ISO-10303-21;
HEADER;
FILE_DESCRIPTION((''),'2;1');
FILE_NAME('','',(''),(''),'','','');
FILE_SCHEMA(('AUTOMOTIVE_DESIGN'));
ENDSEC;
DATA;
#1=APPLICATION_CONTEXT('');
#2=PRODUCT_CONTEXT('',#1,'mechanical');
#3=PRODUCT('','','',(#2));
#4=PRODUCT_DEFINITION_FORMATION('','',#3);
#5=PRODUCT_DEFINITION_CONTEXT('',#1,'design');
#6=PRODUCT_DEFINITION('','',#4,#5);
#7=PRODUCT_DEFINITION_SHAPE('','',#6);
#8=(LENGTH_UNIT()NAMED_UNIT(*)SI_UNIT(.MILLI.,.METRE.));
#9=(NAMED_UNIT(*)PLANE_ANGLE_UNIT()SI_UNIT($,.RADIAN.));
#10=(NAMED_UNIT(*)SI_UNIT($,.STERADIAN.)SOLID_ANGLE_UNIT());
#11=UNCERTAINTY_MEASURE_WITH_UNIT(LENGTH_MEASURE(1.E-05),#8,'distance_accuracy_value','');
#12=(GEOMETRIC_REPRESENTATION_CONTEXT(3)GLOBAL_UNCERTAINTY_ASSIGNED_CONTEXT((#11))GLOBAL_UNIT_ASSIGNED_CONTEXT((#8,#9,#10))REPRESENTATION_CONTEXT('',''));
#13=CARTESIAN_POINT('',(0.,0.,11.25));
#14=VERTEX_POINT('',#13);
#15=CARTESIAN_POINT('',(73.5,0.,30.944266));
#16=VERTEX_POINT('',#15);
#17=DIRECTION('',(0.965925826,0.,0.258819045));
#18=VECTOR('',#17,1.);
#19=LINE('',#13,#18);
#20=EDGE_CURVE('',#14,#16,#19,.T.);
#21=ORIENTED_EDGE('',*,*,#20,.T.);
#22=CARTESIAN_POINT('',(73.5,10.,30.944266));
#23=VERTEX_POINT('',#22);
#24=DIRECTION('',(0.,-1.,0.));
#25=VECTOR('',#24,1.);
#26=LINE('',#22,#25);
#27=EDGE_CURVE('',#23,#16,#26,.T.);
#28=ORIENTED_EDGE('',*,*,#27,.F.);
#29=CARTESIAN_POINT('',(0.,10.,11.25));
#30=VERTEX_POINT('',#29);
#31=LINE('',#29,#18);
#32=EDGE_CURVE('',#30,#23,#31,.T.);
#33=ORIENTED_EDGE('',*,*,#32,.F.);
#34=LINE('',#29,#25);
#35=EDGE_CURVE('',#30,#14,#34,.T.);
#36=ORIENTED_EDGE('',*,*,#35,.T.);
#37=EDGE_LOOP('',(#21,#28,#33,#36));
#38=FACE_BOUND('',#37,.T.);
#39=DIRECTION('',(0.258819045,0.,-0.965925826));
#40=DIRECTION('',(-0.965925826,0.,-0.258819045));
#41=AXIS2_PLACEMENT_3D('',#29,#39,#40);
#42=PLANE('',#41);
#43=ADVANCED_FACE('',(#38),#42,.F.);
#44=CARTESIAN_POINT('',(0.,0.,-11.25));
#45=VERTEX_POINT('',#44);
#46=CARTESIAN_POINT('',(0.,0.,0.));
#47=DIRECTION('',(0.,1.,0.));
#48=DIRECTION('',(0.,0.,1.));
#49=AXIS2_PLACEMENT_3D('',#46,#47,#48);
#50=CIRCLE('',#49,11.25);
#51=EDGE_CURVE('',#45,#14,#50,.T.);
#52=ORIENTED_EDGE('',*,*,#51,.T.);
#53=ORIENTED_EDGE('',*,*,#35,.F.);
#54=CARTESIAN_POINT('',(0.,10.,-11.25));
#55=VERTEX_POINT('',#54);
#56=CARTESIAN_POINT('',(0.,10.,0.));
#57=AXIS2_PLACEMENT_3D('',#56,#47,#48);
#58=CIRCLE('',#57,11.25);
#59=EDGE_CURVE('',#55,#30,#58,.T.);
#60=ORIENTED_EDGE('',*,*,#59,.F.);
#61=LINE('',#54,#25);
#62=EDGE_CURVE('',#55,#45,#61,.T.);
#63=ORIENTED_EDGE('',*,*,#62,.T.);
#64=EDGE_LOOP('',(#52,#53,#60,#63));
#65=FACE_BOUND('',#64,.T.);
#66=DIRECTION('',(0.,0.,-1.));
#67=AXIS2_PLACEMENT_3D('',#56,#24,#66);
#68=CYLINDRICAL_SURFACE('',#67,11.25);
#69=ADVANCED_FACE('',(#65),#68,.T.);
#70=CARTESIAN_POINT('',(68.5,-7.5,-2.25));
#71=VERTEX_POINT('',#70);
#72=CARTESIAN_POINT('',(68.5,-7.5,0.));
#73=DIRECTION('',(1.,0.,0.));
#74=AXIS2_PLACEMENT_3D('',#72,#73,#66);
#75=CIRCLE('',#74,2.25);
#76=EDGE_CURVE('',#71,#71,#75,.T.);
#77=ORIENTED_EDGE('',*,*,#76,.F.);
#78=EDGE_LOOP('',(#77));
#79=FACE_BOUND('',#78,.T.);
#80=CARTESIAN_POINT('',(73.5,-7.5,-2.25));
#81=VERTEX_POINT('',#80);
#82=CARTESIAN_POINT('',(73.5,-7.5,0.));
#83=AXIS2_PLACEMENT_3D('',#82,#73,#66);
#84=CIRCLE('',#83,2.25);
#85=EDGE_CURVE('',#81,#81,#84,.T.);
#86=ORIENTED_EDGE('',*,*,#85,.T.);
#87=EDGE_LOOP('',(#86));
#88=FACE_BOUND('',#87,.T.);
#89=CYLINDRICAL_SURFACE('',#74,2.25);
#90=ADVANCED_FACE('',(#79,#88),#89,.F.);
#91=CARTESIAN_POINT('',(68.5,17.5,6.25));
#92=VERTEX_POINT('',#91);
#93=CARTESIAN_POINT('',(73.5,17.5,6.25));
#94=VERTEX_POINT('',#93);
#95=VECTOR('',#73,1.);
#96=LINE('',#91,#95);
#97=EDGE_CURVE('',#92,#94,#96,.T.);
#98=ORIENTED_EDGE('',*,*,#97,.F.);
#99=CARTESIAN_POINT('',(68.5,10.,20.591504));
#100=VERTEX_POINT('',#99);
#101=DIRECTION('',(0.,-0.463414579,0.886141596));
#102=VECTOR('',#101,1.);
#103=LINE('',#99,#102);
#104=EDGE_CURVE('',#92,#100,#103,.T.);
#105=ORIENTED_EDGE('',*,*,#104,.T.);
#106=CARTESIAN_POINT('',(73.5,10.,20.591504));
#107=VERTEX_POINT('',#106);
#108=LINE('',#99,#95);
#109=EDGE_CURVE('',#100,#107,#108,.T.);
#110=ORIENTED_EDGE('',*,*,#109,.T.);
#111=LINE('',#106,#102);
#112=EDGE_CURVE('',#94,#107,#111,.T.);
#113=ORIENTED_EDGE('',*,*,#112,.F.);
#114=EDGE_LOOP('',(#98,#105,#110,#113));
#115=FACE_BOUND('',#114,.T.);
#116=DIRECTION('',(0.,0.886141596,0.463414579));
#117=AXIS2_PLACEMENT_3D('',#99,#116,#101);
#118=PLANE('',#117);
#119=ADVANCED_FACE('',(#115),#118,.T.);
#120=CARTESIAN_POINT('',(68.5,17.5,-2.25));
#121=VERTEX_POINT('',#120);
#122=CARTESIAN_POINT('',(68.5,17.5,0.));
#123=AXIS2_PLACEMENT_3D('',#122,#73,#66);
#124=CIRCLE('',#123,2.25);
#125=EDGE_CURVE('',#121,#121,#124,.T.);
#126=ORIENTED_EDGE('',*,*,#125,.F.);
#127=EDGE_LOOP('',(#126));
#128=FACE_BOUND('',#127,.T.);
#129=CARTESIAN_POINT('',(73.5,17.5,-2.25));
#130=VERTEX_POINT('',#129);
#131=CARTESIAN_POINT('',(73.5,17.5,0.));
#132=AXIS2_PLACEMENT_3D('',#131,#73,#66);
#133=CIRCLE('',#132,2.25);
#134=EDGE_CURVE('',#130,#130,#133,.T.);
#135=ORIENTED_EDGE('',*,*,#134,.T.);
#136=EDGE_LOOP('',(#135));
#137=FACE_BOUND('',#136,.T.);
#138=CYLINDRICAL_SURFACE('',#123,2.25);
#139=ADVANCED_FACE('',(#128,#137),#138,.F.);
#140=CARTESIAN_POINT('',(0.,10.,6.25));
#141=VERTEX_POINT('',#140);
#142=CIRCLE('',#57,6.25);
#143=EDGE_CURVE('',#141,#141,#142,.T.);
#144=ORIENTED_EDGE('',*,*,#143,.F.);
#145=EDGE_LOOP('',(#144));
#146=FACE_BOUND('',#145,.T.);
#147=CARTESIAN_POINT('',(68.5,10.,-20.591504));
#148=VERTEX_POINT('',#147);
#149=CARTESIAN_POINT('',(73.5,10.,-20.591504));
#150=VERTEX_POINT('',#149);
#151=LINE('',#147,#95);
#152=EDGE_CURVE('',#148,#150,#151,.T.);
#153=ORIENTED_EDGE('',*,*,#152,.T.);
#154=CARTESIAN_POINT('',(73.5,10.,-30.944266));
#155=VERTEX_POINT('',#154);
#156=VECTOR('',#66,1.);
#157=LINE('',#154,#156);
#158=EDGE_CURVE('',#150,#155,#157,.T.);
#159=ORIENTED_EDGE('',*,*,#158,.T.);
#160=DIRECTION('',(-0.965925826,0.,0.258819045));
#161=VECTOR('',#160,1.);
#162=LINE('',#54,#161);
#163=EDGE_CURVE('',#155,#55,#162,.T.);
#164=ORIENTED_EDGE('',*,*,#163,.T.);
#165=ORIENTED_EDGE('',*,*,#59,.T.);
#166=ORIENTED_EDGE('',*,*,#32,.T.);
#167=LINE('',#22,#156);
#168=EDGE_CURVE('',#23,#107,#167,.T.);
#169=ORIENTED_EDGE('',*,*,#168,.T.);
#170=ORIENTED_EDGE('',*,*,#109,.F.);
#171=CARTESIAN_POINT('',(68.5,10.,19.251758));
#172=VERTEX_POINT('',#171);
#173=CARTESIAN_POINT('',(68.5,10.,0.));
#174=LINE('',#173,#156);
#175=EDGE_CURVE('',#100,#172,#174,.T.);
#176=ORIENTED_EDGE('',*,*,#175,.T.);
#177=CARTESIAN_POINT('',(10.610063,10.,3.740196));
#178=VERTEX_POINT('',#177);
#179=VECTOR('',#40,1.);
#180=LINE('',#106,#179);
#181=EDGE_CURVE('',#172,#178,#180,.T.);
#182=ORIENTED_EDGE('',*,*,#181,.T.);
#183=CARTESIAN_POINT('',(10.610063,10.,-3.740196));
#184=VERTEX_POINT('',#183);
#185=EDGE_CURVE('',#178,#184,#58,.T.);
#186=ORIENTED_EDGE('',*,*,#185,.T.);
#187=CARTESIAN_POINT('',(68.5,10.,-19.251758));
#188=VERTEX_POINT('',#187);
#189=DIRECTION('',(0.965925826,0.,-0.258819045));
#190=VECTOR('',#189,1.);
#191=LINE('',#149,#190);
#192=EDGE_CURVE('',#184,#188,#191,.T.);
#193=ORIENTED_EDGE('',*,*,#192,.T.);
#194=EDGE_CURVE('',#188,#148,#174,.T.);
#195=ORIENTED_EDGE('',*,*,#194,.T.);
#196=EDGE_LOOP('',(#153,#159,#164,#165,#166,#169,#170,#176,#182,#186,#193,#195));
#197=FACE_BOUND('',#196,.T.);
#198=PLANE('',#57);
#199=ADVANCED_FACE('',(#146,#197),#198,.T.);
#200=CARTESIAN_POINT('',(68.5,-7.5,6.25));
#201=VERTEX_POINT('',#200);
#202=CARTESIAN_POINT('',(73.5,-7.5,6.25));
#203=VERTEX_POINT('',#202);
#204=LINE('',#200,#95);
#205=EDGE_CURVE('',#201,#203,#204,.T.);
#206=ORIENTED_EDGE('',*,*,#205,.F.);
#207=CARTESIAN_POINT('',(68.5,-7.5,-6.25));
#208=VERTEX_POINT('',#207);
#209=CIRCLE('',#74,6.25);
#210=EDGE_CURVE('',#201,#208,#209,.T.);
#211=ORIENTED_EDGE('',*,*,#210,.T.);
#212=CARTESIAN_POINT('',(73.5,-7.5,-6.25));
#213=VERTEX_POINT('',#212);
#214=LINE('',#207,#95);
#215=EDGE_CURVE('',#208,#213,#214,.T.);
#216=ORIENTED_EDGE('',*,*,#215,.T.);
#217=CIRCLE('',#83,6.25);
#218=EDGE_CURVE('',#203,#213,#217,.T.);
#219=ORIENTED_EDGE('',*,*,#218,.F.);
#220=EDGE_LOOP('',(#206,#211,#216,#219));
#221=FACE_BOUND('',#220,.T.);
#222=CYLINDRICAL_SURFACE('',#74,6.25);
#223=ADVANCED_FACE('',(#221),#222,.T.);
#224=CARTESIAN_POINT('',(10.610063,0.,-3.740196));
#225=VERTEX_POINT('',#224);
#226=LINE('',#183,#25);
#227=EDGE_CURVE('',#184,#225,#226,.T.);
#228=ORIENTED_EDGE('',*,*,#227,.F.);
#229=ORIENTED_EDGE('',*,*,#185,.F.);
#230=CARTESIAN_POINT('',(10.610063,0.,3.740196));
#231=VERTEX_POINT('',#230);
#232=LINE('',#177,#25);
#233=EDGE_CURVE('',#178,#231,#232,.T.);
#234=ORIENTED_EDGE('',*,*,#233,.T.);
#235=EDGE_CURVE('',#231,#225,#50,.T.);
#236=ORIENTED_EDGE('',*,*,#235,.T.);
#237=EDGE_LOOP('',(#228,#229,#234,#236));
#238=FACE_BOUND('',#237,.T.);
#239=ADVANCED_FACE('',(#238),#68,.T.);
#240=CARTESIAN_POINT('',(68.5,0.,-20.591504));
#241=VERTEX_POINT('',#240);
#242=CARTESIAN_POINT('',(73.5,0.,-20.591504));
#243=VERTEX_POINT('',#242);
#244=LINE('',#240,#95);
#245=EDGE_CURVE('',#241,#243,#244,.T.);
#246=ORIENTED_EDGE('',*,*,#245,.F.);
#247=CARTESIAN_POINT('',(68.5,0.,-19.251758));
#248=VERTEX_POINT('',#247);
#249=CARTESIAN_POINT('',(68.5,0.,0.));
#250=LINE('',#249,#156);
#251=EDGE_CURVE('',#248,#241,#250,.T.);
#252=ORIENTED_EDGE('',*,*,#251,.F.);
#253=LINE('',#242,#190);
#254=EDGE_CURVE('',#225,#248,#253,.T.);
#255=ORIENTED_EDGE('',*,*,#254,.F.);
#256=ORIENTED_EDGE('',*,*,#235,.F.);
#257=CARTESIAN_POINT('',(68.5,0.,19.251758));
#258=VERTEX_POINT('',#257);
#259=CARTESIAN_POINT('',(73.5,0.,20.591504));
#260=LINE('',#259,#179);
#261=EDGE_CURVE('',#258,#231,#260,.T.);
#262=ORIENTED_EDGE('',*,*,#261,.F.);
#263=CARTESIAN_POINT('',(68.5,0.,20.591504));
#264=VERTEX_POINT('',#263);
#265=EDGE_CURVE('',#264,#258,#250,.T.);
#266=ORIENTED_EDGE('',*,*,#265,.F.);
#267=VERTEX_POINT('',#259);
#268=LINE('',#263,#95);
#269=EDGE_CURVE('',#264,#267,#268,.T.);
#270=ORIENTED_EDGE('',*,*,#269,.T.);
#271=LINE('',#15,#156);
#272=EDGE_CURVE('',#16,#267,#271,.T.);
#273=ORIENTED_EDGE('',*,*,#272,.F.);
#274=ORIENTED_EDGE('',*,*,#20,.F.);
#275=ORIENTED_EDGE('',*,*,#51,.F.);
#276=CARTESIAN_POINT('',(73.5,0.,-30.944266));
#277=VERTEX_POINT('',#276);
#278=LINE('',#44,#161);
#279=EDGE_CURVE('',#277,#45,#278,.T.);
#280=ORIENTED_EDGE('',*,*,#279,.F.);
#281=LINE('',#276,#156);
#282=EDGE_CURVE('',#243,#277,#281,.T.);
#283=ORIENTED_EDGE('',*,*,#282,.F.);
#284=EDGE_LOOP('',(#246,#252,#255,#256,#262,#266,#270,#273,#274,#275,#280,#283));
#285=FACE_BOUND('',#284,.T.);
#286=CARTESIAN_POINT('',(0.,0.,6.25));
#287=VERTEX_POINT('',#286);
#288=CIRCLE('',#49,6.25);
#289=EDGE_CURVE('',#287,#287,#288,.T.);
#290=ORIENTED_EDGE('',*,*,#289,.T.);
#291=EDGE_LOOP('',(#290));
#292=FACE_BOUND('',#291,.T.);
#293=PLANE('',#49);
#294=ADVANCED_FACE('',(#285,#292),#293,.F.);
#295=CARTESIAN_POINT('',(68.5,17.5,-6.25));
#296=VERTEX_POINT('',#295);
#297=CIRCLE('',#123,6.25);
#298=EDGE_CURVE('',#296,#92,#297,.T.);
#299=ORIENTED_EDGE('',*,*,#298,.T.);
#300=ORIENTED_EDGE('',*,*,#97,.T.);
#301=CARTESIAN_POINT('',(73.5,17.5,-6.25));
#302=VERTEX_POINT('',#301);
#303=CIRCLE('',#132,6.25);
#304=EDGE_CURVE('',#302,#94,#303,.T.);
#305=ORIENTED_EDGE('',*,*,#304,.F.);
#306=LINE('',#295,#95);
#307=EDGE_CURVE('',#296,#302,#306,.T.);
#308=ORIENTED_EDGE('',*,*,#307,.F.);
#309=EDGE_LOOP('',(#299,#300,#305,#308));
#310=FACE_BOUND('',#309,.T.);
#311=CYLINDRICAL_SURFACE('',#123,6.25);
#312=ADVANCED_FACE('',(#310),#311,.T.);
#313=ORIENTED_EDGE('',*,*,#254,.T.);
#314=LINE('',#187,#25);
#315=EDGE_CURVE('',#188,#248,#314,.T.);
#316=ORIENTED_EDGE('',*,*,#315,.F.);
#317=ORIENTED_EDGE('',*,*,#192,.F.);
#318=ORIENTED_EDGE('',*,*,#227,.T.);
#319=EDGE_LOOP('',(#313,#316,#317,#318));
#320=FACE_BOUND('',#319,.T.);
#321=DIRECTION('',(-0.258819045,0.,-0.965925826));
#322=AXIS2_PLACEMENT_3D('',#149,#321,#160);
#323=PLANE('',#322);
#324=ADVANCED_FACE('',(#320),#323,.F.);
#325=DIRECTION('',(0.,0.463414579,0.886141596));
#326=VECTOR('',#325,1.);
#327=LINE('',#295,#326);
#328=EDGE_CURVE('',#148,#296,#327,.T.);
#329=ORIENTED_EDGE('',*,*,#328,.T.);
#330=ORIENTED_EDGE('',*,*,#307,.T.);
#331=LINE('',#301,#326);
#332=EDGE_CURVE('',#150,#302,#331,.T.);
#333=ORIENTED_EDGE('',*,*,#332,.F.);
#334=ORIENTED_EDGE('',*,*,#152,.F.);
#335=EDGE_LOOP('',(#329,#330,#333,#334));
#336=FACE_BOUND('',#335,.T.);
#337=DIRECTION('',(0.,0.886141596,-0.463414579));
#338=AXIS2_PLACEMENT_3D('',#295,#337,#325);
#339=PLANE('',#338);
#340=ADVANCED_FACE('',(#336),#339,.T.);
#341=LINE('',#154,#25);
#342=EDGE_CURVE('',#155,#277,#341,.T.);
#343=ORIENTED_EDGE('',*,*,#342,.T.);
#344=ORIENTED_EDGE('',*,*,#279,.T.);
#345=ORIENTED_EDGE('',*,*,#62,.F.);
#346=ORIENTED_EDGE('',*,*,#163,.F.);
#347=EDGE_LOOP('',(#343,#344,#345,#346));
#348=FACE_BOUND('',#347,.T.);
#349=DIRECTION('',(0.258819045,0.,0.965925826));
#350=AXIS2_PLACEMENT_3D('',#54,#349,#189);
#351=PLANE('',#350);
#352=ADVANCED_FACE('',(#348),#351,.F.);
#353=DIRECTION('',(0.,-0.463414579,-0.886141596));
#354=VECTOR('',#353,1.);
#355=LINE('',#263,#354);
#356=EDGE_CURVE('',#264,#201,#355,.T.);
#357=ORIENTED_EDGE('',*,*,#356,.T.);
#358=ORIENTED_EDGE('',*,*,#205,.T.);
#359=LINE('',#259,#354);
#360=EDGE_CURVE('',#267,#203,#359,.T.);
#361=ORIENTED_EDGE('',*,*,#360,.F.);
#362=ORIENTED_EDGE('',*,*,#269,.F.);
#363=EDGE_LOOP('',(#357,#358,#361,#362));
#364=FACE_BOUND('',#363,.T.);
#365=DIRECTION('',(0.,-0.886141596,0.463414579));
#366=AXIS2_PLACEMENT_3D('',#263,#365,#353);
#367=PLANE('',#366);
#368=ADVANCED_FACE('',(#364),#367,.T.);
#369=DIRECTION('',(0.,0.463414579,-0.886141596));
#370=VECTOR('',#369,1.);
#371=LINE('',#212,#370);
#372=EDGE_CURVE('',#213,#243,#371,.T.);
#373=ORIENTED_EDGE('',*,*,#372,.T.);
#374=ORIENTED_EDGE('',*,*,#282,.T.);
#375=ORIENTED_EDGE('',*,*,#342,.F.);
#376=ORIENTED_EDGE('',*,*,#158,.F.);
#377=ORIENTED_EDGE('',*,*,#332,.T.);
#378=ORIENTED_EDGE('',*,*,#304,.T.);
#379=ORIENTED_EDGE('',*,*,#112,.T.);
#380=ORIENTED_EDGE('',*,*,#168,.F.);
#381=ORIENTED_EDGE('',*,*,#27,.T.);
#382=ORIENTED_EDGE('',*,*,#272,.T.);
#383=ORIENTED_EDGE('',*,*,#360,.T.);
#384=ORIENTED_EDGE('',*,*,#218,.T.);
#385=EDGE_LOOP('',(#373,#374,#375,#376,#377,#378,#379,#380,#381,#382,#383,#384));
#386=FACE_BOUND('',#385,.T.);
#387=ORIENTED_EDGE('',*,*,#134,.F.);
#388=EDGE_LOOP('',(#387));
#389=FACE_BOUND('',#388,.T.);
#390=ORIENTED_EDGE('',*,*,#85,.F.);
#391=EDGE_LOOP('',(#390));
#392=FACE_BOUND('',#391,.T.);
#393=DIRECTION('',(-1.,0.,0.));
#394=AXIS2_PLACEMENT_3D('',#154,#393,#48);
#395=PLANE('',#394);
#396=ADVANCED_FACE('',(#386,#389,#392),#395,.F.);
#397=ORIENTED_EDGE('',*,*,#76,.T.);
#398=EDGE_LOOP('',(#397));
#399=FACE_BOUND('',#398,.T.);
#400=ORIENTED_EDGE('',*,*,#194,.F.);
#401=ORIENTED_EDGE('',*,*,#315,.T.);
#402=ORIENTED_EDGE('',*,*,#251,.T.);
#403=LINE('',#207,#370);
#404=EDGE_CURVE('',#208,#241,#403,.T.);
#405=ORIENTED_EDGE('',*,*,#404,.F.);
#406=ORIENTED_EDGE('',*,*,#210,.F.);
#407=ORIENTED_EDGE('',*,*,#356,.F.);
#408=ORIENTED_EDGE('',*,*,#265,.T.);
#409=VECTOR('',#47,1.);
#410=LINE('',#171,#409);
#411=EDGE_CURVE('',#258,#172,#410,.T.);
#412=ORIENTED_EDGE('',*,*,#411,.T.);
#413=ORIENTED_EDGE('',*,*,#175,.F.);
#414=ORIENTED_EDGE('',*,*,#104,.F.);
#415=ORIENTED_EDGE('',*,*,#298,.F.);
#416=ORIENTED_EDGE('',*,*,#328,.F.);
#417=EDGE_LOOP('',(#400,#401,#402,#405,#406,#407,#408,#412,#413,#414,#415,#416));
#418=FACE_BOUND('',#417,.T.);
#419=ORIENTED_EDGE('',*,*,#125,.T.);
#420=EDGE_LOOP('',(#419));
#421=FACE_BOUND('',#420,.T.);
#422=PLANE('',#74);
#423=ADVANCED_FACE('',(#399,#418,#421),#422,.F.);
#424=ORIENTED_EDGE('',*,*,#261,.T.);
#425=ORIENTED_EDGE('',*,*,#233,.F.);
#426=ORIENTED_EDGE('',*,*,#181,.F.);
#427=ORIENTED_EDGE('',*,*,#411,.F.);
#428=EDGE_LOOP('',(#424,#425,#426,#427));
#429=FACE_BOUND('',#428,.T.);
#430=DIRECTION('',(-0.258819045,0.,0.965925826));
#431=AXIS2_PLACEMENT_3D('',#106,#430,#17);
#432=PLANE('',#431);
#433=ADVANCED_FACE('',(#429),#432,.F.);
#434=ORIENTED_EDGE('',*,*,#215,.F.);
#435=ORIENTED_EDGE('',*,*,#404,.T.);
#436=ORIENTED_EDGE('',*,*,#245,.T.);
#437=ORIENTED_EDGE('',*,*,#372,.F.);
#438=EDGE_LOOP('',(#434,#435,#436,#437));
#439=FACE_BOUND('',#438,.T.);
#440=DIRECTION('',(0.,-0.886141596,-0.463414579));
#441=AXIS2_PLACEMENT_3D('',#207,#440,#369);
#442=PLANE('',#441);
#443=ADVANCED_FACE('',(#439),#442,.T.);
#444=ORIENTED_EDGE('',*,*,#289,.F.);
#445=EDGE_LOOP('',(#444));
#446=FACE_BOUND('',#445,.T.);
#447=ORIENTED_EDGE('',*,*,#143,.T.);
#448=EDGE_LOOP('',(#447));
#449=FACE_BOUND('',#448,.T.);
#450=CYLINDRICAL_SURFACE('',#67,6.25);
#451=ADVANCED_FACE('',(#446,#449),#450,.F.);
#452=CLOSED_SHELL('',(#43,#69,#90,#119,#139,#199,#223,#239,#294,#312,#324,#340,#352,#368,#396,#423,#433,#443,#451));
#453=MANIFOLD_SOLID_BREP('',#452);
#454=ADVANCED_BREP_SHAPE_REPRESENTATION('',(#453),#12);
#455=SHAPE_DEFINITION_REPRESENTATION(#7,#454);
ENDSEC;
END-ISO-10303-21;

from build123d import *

# Parameters (mm, degrees)
SKETCH1_R           = 6.25
BOSS_EXTRUDE1_DEPTH = 10
SKETCH2_R           = 2.25
BOSS_EXTRUDE2_DEPTH = 5


with BuildPart() as part:
    # Sketch1 → Boss-Extrude1 (new body)
    with BuildSketch(Plane(origin=(0, 0, 0), x_dir=(1, 0, 0), z_dir=(0, 1, 0))):
        with BuildLine():
            Line((0, 11.25), (73.5, 30.944265644))
            Line((73.5, 30.944265644), (73.5, 20.59150384))
            Line((73.5, 20.59150384), (10.610062869, 3.740195973))
            ThreePointArc((10.610062869, 3.740195973), (11.25, 0), (10.610062869, -3.740195973))
            Line((10.610062869, -3.740195973), (73.5, -20.59150384))
            Line((73.5, -20.59150384), (73.5, -30.944265644))
            Line((73.5, -30.944265644), (0, -11.25))
            ThreePointArc((0, -11.25), (-11.25, 0), (0, 11.25))
        make_face()
        with Locations(Location((0, 0, 0), (0, 0, 270))):
            Circle(SKETCH1_R, mode=Mode.SUBTRACT)
    extrude(amount=BOSS_EXTRUDE1_DEPTH)

    # Sketch2 → Boss-Extrude2 (add)
    with BuildSketch(Plane(origin=(73.5, 0, 0), x_dir=(0, 0, -1), z_dir=(1, 0, 0))):
        with BuildLine():
            Line((-20.59150384, 10), (-6.25, 17.5))
            ThreePointArc((-6.25, 17.5), (0, 23.75), (6.25, 17.5))
            Line((6.25, 17.5), (20.59150384, 10))
            Line((20.59150384, 10), (20.59150384, 0))
            Line((20.59150384, 0), (6.25, -7.5))
            ThreePointArc((6.25, -7.5), (0, -13.75), (-6.25, -7.5))
            Line((-6.25, -7.5), (-20.59150384, 0))
            Line((-20.59150384, 0), (-20.59150384, 10))
        make_face()
        with Locations((0, 17.5)):
            Circle(SKETCH2_R, mode=Mode.SUBTRACT)
        with Locations((0, -7.5)):
            Circle(SKETCH2_R, mode=Mode.SUBTRACT)
    extrude(amount=-BOSS_EXTRUDE2_DEPTH)


solid = part.part
